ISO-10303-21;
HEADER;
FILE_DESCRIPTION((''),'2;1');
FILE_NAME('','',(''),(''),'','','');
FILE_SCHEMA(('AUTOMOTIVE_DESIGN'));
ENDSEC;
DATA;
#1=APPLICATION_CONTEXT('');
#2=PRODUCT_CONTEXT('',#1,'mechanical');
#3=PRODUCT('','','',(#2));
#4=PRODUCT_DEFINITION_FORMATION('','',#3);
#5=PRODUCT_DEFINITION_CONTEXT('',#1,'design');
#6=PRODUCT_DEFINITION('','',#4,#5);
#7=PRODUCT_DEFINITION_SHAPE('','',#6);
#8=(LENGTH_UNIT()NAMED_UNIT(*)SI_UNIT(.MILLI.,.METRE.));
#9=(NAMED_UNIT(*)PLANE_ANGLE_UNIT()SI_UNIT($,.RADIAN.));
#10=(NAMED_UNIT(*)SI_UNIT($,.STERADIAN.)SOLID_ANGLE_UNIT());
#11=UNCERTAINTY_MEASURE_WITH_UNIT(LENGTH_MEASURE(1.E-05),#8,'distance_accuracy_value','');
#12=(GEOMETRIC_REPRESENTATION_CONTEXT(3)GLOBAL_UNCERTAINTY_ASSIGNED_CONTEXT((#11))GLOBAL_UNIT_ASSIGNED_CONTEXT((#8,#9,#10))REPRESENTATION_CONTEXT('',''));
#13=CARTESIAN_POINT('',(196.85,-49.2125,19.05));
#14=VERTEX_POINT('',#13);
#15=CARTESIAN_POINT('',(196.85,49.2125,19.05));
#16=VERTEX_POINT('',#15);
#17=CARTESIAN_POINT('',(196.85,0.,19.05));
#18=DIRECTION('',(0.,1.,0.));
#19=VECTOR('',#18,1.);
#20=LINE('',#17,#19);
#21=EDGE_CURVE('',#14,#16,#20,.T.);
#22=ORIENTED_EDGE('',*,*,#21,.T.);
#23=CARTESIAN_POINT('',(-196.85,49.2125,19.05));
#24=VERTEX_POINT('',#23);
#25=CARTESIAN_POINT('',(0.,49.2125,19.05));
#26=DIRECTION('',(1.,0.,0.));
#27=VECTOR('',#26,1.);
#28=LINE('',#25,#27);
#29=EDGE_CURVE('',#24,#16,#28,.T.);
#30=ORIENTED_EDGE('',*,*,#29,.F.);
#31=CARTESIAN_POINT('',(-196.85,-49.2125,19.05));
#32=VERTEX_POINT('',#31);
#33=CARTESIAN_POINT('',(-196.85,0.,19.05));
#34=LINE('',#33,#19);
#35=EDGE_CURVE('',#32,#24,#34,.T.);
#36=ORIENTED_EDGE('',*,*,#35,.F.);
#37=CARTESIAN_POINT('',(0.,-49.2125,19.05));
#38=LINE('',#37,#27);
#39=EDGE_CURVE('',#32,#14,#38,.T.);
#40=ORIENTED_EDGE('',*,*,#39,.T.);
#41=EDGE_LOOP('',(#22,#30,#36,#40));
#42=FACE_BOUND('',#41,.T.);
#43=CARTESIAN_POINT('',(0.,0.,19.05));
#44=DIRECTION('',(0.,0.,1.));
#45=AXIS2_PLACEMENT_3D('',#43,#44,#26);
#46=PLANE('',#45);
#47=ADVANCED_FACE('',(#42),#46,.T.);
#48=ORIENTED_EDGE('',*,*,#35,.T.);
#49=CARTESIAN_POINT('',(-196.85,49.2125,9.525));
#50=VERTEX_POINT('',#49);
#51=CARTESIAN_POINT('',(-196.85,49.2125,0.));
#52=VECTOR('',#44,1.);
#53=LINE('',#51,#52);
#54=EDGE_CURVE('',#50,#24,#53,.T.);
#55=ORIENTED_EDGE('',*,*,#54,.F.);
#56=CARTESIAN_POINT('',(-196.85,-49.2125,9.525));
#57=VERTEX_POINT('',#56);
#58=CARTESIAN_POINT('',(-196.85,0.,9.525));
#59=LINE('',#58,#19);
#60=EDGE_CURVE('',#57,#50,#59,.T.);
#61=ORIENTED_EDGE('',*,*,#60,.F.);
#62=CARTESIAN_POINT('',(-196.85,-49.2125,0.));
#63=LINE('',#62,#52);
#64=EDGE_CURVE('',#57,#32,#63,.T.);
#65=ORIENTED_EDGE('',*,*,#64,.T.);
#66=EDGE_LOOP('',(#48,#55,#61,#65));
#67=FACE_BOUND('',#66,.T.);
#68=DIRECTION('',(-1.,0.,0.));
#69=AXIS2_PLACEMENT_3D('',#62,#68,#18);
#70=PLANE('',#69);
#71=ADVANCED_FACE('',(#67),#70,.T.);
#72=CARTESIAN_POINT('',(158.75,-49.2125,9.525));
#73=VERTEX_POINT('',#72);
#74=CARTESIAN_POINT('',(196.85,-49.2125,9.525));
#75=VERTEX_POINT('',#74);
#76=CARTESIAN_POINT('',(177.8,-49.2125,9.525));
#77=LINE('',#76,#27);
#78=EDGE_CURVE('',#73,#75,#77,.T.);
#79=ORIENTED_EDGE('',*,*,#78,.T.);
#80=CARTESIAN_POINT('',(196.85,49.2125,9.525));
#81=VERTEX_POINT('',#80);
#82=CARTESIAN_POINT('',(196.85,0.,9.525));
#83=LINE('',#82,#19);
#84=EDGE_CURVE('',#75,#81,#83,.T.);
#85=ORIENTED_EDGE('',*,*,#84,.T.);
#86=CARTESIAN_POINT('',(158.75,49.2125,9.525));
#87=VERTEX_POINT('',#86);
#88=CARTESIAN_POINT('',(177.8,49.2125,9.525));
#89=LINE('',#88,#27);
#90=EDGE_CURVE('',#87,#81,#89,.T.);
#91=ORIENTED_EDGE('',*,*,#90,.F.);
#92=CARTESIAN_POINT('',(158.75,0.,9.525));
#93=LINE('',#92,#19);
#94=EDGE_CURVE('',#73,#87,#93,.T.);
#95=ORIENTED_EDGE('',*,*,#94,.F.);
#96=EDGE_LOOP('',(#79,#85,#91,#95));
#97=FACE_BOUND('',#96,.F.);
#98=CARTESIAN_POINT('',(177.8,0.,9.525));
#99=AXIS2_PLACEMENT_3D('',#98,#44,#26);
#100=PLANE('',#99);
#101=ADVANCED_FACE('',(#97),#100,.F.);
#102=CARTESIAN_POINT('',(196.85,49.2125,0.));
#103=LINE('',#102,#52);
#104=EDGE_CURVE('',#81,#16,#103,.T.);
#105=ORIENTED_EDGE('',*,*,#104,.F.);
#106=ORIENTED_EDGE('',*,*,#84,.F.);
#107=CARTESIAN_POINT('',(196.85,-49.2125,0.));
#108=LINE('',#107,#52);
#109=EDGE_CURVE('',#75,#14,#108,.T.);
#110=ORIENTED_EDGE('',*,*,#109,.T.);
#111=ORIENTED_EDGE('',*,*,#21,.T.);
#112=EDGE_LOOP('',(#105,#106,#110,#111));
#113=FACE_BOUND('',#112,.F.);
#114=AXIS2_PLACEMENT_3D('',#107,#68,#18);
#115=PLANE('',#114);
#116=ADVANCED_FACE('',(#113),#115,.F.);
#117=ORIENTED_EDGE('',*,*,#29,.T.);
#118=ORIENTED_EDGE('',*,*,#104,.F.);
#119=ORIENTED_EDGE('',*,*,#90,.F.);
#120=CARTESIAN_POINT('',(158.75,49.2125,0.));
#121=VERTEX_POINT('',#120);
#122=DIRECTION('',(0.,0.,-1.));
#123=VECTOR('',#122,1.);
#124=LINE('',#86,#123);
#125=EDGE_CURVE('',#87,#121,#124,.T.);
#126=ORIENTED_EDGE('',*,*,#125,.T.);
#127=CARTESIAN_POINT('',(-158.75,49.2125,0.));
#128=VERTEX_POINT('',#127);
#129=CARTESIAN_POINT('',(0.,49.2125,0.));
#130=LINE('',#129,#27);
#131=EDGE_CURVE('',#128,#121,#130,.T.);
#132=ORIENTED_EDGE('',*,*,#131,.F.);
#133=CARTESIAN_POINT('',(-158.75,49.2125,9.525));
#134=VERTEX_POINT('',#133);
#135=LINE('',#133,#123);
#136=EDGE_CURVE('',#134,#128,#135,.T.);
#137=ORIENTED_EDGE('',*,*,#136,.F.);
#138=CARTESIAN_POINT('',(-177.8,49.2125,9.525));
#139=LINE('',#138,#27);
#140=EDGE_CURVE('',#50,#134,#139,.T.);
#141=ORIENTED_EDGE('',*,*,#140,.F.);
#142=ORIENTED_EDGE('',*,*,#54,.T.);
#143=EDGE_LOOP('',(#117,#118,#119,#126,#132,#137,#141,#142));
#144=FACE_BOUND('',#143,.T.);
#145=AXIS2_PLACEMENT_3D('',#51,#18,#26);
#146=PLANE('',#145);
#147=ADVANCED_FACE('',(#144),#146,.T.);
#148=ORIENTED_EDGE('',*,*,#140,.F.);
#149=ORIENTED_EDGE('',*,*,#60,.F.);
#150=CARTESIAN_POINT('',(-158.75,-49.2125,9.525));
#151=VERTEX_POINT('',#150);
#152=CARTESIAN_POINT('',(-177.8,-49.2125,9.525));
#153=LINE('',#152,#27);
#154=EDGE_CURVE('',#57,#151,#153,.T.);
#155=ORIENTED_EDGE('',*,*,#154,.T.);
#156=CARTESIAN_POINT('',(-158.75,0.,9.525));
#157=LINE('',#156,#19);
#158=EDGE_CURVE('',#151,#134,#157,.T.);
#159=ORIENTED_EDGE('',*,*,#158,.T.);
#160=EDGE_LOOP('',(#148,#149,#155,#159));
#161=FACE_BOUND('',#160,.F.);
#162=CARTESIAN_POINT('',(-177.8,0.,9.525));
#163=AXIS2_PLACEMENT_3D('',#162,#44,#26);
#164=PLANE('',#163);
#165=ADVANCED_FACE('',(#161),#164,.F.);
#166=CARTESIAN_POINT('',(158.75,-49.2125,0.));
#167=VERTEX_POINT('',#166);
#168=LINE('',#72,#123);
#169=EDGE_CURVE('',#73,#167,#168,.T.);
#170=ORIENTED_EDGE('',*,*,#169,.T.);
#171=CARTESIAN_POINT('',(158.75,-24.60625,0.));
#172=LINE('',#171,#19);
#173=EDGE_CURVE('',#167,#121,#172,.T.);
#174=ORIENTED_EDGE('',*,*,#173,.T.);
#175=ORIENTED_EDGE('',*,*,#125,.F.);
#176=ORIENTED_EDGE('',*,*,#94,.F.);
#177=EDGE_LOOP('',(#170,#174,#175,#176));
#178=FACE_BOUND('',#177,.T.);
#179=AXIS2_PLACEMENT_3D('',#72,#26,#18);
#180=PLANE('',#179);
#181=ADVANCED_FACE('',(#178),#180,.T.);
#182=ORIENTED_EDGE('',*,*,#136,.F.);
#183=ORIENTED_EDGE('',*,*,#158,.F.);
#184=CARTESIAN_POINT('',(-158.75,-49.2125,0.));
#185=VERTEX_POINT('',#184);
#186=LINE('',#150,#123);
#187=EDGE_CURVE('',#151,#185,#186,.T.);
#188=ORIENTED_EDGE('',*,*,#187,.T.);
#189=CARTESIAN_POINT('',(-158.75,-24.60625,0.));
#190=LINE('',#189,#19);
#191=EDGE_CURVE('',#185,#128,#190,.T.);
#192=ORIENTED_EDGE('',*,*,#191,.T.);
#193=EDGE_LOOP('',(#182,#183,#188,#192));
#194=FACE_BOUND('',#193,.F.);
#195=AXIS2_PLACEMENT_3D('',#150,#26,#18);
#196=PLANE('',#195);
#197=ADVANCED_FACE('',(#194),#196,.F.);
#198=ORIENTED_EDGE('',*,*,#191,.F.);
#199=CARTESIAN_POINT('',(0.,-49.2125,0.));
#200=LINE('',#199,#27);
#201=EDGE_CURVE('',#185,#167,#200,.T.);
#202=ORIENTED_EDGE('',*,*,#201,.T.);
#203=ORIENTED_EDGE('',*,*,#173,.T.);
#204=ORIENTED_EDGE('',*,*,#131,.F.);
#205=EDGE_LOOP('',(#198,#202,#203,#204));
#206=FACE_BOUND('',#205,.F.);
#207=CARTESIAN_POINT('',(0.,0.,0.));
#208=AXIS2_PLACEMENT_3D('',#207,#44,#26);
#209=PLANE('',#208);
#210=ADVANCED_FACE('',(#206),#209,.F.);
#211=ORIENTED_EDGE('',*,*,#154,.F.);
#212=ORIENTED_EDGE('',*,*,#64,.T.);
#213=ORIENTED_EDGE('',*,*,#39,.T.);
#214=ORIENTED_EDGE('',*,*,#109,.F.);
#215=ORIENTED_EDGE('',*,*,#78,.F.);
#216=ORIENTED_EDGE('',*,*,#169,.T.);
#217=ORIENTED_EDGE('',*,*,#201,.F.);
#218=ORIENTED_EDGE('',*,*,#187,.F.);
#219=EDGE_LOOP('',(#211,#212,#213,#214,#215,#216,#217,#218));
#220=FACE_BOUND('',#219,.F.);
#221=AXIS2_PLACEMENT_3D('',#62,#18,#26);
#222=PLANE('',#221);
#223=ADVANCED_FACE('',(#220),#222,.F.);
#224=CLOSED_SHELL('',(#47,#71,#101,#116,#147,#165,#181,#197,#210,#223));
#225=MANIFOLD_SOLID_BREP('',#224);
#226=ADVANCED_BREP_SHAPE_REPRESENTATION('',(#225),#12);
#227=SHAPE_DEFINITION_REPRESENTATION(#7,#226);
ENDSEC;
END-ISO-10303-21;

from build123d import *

# Parameters (mm, degrees)
F0_W     = 393.7
F0_H     = 98.425
F1_DEPTH = 19.05
F4_W     = 38.1
F4_H     = 98.425
F5_DEPTH = 9.526


with BuildPart() as f1:
    # F0 (on Top) → F1 (new body)
    with BuildSketch(Plane.XY):
        Rectangle(F0_W, F0_H)
    extrude(amount=F1_DEPTH)

    # F4 (on plane+point) → F5 (cut, through all)
    with BuildSketch(Plane.XY.offset(9.525)):
        with Locations((-177.8, 0)):
            Rectangle(F4_W, F4_H)
        with Locations((177.8, 0)):
            Rectangle(F4_W, F4_H)
    extrude(amount=-F5_DEPTH, mode=Mode.SUBTRACT)


solid = f1.part
